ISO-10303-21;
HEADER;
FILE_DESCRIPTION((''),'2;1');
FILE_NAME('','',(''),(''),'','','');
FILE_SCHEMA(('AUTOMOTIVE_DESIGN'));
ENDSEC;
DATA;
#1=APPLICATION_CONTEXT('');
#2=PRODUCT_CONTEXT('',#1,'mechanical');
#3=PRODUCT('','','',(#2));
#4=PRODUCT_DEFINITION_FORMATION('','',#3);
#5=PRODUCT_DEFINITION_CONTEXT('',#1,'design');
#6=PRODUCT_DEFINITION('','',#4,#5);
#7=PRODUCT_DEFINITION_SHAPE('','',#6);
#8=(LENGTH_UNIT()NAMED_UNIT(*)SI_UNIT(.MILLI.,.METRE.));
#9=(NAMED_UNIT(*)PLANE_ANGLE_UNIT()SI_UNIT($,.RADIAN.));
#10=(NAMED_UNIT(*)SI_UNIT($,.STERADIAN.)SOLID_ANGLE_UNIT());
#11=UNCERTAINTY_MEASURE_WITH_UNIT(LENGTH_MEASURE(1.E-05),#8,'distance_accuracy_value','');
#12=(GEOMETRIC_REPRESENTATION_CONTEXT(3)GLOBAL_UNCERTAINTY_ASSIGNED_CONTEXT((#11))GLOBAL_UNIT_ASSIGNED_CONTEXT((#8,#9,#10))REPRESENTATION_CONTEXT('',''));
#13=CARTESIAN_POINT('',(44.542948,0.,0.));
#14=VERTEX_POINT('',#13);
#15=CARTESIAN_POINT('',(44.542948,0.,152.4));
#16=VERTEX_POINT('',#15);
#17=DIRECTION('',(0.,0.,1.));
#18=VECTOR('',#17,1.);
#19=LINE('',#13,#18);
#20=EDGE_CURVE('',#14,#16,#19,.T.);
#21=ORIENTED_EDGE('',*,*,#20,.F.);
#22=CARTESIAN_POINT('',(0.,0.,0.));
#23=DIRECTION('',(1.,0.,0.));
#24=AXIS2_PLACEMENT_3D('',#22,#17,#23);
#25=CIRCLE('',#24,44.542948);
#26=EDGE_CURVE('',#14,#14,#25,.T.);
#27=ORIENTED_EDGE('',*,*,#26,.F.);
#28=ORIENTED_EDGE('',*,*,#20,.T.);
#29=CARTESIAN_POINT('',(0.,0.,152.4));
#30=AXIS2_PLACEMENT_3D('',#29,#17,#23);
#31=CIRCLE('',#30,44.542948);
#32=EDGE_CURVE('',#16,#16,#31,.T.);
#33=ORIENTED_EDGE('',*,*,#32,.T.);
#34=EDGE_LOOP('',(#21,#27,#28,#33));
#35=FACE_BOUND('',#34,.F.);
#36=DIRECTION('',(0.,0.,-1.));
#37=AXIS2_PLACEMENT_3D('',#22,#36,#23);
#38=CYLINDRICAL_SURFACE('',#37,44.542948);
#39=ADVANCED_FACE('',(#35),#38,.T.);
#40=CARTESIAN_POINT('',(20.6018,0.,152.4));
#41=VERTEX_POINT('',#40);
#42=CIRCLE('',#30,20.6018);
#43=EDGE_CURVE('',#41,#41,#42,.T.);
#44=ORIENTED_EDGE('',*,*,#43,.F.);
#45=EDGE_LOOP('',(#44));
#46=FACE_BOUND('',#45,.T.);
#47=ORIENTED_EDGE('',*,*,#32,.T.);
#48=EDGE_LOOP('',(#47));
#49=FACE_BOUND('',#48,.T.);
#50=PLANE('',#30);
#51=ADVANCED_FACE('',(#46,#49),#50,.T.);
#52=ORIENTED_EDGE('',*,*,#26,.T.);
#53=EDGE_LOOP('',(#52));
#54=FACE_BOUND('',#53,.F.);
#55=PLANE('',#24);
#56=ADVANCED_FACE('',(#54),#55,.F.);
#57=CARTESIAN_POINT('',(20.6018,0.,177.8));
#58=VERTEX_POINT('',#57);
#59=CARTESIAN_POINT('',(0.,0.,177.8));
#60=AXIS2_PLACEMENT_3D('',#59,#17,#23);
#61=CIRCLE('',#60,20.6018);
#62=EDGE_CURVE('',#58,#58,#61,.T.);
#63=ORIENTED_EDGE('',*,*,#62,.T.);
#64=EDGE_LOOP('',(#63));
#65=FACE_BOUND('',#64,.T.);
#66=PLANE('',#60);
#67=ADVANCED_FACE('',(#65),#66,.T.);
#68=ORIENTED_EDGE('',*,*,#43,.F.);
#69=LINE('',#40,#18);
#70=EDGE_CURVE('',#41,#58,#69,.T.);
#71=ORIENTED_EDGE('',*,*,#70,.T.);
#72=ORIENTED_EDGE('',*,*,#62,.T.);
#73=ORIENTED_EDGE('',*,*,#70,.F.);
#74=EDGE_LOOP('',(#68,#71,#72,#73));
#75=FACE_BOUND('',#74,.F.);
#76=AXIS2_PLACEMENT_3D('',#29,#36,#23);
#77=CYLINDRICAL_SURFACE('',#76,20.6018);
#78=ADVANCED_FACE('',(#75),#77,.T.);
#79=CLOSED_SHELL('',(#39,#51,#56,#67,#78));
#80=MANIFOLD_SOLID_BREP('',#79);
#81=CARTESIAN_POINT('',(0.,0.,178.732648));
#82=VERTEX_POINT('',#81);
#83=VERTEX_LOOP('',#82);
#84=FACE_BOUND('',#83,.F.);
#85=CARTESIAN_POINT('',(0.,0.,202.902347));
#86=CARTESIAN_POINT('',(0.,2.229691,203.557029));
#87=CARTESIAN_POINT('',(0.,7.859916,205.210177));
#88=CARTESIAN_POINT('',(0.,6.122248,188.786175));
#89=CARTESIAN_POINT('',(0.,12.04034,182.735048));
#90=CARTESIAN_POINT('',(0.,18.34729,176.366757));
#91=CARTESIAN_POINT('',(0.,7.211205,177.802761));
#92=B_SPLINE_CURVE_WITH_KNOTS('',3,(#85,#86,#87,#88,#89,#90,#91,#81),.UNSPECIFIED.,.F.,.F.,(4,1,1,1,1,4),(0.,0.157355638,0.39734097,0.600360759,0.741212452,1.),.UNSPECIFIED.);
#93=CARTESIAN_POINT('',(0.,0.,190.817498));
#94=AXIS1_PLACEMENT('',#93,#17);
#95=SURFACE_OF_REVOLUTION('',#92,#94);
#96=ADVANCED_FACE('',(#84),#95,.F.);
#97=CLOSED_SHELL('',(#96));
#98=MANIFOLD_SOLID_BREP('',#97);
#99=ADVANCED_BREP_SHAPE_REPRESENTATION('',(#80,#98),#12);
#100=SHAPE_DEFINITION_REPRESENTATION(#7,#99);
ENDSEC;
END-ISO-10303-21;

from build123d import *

# Parameters (mm, degrees)
F0_R     = 44.5429480325
F1_DEPTH = 152.4
F2_R     = 20.6018000869
F3_DEPTH = 25.4


with BuildPart() as f1:
    # F0 (on Top) → F1 (new body)
    with BuildSketch(Plane.XY):
        Circle(F0_R)
    extrude(amount=F1_DEPTH)

    # F2 (on face) → F3 (join)
    with BuildSketch(Plane.XY.offset(152.4)):
        Circle(F2_R)
    extrude(amount=F3_DEPTH)


with BuildPart() as f5:
    # F4 (on Right) → F5 (revolve)
    with BuildSketch(Plane.YZ):
        with BuildLine():
            Line((0, 202.9023468494), (0, 178.7326484919))
            add(Edge.make_bspline(
                [(0, 202.9023468494), (2.2296912111, 203.5570291376), (7.8599163497, 205.2101767385), (6.1222476166, 188.7861749021), (12.0403399977, 182.7350478897), (18.3472904248, 176.3667574668), (7.2112046106, 177.8027605426), (0, 178.7326484919)],
                knots=[0, 0, 0, 0, 0.157355638, 0.3973409701, 0.6003607585, 0.7412124522, 1, 1, 1, 1], degree=3))
        make_face()
    revolve(axis=Axis((0, 0, 190.8174976707), (0, 0, 1)))


solid = Compound([f1.part, f5.part])
